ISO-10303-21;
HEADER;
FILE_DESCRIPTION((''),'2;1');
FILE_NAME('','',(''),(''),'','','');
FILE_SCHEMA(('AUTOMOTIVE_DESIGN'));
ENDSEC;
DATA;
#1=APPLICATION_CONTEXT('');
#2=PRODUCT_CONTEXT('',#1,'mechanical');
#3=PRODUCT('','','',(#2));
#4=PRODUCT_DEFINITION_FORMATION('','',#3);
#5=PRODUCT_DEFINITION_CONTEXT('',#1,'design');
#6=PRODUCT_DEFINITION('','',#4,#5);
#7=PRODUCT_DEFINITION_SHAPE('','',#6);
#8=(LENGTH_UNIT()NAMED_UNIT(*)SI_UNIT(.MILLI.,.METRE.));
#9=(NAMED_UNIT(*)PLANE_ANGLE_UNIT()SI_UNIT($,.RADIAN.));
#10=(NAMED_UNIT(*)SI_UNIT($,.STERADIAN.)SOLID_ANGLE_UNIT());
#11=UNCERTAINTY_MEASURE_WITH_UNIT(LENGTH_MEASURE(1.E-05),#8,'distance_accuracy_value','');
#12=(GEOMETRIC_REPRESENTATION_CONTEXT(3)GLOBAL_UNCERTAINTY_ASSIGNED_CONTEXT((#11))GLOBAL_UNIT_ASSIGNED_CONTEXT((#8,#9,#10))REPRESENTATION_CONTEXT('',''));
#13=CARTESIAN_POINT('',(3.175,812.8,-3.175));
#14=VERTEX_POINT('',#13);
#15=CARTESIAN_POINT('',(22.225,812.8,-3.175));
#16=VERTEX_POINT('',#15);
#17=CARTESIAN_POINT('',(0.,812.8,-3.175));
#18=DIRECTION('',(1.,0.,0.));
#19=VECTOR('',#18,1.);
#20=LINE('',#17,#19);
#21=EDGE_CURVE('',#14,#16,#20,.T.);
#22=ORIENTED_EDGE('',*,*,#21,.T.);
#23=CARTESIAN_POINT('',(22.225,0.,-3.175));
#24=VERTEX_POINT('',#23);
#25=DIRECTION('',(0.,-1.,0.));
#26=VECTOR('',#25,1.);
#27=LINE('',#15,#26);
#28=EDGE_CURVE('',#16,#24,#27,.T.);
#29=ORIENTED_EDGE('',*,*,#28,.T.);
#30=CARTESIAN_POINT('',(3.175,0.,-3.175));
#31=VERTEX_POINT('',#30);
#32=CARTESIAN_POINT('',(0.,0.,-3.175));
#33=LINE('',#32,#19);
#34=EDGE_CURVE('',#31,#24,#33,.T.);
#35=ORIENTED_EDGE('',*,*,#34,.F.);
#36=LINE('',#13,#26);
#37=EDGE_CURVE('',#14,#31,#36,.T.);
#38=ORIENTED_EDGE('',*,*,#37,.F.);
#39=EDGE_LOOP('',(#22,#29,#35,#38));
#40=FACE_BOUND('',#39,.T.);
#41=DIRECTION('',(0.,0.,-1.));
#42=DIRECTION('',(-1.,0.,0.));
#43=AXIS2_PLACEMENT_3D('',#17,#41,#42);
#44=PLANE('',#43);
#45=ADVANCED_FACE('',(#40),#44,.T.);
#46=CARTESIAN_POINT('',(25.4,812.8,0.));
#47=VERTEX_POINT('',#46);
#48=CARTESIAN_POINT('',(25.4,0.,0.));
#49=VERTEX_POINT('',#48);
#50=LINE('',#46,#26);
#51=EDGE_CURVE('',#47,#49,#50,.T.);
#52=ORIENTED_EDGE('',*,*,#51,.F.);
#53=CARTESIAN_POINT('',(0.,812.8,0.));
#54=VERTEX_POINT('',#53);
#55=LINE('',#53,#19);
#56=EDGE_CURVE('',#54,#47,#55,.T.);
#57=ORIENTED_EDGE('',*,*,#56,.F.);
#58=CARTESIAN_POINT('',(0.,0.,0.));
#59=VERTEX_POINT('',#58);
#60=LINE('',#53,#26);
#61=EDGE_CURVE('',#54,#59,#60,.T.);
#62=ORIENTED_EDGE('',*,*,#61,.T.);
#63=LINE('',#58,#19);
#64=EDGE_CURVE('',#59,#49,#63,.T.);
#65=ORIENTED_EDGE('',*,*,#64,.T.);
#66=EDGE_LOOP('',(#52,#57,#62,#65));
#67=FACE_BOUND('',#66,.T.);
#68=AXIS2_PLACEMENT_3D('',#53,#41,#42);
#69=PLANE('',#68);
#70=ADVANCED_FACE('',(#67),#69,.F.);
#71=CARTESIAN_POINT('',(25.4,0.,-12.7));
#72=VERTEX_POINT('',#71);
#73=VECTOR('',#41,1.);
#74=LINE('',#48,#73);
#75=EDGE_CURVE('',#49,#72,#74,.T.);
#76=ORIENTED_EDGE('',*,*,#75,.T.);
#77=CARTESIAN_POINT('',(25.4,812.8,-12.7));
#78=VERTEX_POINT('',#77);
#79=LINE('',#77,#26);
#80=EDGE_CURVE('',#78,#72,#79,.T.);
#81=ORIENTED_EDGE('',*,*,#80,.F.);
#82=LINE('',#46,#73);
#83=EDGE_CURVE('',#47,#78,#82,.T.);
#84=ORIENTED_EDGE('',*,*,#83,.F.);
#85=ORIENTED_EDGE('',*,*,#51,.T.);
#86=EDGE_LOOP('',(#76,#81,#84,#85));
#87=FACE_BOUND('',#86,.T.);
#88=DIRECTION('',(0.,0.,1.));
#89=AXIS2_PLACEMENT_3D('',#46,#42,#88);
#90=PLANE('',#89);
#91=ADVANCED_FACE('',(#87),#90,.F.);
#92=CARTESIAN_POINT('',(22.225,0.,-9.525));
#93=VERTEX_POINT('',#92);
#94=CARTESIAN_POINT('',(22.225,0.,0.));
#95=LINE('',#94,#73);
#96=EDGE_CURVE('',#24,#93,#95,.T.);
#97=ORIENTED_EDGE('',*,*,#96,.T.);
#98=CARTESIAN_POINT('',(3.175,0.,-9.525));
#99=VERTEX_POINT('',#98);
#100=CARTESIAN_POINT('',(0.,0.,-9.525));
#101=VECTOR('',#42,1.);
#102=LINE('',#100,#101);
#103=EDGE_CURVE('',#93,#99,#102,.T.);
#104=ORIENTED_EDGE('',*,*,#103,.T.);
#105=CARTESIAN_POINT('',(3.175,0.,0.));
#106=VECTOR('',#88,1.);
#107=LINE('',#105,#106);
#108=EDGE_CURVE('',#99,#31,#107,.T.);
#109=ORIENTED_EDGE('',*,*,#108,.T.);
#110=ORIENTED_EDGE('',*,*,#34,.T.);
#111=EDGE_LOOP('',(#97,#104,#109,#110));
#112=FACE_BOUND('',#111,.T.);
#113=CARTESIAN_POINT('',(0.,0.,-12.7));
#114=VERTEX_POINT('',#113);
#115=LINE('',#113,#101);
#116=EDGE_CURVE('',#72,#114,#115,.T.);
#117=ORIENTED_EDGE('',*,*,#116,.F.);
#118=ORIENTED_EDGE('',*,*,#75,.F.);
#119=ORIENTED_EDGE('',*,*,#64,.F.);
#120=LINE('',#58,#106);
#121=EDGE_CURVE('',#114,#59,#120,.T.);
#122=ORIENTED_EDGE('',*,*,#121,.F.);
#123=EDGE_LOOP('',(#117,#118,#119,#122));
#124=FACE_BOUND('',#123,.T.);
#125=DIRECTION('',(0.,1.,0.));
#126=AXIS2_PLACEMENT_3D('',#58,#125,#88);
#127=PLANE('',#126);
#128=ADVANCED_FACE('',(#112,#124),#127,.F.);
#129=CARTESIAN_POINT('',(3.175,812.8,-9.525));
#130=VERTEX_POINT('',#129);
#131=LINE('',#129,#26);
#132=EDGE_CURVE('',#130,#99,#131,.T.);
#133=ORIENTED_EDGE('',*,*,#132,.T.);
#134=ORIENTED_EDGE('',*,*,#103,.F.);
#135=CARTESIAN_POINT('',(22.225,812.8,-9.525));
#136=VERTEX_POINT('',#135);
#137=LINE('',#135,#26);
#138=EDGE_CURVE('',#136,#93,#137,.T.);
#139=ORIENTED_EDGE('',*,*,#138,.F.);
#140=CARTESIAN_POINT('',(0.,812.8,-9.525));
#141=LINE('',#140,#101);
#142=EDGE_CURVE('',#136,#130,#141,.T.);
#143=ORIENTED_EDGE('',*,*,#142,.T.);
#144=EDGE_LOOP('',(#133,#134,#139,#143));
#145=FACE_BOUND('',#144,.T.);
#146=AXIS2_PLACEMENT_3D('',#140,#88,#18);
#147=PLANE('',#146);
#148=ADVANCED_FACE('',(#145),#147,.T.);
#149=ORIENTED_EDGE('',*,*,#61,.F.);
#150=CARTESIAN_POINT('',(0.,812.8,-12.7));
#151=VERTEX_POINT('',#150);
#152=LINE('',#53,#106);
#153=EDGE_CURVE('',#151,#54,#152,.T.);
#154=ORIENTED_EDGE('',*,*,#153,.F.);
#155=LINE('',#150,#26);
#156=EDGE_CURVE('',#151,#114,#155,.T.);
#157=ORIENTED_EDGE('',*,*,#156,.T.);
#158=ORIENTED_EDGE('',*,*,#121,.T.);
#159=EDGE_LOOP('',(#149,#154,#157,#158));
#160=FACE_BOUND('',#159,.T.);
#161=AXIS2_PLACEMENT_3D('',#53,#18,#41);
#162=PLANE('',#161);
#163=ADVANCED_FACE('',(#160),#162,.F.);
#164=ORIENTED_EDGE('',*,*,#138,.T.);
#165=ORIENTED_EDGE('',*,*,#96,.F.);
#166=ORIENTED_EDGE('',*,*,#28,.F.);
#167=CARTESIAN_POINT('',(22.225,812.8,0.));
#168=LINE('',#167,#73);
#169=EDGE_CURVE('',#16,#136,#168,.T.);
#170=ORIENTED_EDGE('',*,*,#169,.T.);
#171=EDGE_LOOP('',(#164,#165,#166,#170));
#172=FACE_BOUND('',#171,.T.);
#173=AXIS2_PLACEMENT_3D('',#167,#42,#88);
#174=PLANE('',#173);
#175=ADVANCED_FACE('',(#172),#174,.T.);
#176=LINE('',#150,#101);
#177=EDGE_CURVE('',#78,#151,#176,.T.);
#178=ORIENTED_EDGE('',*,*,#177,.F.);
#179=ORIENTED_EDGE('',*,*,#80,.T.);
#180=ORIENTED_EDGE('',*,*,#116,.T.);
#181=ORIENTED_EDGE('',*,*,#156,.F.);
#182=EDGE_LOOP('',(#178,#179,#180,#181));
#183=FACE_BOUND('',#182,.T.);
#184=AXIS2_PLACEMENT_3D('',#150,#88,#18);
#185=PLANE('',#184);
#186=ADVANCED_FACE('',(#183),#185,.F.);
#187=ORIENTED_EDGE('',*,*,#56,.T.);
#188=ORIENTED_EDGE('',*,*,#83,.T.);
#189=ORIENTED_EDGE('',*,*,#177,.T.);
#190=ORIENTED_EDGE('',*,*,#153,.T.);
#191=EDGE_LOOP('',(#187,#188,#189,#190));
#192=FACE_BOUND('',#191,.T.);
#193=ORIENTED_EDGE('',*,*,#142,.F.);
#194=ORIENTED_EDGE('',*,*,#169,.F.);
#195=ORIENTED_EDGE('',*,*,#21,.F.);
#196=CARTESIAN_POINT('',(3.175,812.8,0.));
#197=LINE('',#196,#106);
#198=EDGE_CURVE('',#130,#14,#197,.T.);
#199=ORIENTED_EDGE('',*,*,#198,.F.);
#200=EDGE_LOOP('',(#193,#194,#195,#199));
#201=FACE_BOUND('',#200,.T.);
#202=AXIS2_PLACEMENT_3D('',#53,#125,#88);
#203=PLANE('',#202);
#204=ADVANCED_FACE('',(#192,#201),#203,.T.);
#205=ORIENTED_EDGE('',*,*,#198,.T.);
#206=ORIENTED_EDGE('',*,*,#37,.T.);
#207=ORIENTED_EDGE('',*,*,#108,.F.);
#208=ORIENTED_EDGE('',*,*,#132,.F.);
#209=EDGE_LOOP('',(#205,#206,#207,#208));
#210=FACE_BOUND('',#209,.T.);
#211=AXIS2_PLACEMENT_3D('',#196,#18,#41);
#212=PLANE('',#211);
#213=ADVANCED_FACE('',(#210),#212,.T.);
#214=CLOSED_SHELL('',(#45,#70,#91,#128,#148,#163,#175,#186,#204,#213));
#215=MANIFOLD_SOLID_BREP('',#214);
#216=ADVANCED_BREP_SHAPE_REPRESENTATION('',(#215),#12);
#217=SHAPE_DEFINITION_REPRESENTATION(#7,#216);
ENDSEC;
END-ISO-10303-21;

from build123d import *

# Parameters (mm, degrees)
SKETCH1_W           = 25.4
SKETCH1_H           = 12.7
SKETCH1_W_2         = 19.05
SKETCH1_H_2         = 6.35
EXTRUDE_THIN1_DEPTH = 812.8


with BuildPart() as part:
    # Sketch1 → Extrude-Thin1 (new body)
    with BuildSketch(Plane(origin=(0, 0, 0), x_dir=(1, 0, 0), z_dir=(0, 1, 0))):
        with Locations((12.7, 6.35)):
            Rectangle(SKETCH1_W, SKETCH1_H)
        with Locations((12.7, 6.35)):
            Rectangle(SKETCH1_W_2, SKETCH1_H_2, mode=Mode.SUBTRACT)
    extrude(amount=EXTRUDE_THIN1_DEPTH)


solid = part.part
